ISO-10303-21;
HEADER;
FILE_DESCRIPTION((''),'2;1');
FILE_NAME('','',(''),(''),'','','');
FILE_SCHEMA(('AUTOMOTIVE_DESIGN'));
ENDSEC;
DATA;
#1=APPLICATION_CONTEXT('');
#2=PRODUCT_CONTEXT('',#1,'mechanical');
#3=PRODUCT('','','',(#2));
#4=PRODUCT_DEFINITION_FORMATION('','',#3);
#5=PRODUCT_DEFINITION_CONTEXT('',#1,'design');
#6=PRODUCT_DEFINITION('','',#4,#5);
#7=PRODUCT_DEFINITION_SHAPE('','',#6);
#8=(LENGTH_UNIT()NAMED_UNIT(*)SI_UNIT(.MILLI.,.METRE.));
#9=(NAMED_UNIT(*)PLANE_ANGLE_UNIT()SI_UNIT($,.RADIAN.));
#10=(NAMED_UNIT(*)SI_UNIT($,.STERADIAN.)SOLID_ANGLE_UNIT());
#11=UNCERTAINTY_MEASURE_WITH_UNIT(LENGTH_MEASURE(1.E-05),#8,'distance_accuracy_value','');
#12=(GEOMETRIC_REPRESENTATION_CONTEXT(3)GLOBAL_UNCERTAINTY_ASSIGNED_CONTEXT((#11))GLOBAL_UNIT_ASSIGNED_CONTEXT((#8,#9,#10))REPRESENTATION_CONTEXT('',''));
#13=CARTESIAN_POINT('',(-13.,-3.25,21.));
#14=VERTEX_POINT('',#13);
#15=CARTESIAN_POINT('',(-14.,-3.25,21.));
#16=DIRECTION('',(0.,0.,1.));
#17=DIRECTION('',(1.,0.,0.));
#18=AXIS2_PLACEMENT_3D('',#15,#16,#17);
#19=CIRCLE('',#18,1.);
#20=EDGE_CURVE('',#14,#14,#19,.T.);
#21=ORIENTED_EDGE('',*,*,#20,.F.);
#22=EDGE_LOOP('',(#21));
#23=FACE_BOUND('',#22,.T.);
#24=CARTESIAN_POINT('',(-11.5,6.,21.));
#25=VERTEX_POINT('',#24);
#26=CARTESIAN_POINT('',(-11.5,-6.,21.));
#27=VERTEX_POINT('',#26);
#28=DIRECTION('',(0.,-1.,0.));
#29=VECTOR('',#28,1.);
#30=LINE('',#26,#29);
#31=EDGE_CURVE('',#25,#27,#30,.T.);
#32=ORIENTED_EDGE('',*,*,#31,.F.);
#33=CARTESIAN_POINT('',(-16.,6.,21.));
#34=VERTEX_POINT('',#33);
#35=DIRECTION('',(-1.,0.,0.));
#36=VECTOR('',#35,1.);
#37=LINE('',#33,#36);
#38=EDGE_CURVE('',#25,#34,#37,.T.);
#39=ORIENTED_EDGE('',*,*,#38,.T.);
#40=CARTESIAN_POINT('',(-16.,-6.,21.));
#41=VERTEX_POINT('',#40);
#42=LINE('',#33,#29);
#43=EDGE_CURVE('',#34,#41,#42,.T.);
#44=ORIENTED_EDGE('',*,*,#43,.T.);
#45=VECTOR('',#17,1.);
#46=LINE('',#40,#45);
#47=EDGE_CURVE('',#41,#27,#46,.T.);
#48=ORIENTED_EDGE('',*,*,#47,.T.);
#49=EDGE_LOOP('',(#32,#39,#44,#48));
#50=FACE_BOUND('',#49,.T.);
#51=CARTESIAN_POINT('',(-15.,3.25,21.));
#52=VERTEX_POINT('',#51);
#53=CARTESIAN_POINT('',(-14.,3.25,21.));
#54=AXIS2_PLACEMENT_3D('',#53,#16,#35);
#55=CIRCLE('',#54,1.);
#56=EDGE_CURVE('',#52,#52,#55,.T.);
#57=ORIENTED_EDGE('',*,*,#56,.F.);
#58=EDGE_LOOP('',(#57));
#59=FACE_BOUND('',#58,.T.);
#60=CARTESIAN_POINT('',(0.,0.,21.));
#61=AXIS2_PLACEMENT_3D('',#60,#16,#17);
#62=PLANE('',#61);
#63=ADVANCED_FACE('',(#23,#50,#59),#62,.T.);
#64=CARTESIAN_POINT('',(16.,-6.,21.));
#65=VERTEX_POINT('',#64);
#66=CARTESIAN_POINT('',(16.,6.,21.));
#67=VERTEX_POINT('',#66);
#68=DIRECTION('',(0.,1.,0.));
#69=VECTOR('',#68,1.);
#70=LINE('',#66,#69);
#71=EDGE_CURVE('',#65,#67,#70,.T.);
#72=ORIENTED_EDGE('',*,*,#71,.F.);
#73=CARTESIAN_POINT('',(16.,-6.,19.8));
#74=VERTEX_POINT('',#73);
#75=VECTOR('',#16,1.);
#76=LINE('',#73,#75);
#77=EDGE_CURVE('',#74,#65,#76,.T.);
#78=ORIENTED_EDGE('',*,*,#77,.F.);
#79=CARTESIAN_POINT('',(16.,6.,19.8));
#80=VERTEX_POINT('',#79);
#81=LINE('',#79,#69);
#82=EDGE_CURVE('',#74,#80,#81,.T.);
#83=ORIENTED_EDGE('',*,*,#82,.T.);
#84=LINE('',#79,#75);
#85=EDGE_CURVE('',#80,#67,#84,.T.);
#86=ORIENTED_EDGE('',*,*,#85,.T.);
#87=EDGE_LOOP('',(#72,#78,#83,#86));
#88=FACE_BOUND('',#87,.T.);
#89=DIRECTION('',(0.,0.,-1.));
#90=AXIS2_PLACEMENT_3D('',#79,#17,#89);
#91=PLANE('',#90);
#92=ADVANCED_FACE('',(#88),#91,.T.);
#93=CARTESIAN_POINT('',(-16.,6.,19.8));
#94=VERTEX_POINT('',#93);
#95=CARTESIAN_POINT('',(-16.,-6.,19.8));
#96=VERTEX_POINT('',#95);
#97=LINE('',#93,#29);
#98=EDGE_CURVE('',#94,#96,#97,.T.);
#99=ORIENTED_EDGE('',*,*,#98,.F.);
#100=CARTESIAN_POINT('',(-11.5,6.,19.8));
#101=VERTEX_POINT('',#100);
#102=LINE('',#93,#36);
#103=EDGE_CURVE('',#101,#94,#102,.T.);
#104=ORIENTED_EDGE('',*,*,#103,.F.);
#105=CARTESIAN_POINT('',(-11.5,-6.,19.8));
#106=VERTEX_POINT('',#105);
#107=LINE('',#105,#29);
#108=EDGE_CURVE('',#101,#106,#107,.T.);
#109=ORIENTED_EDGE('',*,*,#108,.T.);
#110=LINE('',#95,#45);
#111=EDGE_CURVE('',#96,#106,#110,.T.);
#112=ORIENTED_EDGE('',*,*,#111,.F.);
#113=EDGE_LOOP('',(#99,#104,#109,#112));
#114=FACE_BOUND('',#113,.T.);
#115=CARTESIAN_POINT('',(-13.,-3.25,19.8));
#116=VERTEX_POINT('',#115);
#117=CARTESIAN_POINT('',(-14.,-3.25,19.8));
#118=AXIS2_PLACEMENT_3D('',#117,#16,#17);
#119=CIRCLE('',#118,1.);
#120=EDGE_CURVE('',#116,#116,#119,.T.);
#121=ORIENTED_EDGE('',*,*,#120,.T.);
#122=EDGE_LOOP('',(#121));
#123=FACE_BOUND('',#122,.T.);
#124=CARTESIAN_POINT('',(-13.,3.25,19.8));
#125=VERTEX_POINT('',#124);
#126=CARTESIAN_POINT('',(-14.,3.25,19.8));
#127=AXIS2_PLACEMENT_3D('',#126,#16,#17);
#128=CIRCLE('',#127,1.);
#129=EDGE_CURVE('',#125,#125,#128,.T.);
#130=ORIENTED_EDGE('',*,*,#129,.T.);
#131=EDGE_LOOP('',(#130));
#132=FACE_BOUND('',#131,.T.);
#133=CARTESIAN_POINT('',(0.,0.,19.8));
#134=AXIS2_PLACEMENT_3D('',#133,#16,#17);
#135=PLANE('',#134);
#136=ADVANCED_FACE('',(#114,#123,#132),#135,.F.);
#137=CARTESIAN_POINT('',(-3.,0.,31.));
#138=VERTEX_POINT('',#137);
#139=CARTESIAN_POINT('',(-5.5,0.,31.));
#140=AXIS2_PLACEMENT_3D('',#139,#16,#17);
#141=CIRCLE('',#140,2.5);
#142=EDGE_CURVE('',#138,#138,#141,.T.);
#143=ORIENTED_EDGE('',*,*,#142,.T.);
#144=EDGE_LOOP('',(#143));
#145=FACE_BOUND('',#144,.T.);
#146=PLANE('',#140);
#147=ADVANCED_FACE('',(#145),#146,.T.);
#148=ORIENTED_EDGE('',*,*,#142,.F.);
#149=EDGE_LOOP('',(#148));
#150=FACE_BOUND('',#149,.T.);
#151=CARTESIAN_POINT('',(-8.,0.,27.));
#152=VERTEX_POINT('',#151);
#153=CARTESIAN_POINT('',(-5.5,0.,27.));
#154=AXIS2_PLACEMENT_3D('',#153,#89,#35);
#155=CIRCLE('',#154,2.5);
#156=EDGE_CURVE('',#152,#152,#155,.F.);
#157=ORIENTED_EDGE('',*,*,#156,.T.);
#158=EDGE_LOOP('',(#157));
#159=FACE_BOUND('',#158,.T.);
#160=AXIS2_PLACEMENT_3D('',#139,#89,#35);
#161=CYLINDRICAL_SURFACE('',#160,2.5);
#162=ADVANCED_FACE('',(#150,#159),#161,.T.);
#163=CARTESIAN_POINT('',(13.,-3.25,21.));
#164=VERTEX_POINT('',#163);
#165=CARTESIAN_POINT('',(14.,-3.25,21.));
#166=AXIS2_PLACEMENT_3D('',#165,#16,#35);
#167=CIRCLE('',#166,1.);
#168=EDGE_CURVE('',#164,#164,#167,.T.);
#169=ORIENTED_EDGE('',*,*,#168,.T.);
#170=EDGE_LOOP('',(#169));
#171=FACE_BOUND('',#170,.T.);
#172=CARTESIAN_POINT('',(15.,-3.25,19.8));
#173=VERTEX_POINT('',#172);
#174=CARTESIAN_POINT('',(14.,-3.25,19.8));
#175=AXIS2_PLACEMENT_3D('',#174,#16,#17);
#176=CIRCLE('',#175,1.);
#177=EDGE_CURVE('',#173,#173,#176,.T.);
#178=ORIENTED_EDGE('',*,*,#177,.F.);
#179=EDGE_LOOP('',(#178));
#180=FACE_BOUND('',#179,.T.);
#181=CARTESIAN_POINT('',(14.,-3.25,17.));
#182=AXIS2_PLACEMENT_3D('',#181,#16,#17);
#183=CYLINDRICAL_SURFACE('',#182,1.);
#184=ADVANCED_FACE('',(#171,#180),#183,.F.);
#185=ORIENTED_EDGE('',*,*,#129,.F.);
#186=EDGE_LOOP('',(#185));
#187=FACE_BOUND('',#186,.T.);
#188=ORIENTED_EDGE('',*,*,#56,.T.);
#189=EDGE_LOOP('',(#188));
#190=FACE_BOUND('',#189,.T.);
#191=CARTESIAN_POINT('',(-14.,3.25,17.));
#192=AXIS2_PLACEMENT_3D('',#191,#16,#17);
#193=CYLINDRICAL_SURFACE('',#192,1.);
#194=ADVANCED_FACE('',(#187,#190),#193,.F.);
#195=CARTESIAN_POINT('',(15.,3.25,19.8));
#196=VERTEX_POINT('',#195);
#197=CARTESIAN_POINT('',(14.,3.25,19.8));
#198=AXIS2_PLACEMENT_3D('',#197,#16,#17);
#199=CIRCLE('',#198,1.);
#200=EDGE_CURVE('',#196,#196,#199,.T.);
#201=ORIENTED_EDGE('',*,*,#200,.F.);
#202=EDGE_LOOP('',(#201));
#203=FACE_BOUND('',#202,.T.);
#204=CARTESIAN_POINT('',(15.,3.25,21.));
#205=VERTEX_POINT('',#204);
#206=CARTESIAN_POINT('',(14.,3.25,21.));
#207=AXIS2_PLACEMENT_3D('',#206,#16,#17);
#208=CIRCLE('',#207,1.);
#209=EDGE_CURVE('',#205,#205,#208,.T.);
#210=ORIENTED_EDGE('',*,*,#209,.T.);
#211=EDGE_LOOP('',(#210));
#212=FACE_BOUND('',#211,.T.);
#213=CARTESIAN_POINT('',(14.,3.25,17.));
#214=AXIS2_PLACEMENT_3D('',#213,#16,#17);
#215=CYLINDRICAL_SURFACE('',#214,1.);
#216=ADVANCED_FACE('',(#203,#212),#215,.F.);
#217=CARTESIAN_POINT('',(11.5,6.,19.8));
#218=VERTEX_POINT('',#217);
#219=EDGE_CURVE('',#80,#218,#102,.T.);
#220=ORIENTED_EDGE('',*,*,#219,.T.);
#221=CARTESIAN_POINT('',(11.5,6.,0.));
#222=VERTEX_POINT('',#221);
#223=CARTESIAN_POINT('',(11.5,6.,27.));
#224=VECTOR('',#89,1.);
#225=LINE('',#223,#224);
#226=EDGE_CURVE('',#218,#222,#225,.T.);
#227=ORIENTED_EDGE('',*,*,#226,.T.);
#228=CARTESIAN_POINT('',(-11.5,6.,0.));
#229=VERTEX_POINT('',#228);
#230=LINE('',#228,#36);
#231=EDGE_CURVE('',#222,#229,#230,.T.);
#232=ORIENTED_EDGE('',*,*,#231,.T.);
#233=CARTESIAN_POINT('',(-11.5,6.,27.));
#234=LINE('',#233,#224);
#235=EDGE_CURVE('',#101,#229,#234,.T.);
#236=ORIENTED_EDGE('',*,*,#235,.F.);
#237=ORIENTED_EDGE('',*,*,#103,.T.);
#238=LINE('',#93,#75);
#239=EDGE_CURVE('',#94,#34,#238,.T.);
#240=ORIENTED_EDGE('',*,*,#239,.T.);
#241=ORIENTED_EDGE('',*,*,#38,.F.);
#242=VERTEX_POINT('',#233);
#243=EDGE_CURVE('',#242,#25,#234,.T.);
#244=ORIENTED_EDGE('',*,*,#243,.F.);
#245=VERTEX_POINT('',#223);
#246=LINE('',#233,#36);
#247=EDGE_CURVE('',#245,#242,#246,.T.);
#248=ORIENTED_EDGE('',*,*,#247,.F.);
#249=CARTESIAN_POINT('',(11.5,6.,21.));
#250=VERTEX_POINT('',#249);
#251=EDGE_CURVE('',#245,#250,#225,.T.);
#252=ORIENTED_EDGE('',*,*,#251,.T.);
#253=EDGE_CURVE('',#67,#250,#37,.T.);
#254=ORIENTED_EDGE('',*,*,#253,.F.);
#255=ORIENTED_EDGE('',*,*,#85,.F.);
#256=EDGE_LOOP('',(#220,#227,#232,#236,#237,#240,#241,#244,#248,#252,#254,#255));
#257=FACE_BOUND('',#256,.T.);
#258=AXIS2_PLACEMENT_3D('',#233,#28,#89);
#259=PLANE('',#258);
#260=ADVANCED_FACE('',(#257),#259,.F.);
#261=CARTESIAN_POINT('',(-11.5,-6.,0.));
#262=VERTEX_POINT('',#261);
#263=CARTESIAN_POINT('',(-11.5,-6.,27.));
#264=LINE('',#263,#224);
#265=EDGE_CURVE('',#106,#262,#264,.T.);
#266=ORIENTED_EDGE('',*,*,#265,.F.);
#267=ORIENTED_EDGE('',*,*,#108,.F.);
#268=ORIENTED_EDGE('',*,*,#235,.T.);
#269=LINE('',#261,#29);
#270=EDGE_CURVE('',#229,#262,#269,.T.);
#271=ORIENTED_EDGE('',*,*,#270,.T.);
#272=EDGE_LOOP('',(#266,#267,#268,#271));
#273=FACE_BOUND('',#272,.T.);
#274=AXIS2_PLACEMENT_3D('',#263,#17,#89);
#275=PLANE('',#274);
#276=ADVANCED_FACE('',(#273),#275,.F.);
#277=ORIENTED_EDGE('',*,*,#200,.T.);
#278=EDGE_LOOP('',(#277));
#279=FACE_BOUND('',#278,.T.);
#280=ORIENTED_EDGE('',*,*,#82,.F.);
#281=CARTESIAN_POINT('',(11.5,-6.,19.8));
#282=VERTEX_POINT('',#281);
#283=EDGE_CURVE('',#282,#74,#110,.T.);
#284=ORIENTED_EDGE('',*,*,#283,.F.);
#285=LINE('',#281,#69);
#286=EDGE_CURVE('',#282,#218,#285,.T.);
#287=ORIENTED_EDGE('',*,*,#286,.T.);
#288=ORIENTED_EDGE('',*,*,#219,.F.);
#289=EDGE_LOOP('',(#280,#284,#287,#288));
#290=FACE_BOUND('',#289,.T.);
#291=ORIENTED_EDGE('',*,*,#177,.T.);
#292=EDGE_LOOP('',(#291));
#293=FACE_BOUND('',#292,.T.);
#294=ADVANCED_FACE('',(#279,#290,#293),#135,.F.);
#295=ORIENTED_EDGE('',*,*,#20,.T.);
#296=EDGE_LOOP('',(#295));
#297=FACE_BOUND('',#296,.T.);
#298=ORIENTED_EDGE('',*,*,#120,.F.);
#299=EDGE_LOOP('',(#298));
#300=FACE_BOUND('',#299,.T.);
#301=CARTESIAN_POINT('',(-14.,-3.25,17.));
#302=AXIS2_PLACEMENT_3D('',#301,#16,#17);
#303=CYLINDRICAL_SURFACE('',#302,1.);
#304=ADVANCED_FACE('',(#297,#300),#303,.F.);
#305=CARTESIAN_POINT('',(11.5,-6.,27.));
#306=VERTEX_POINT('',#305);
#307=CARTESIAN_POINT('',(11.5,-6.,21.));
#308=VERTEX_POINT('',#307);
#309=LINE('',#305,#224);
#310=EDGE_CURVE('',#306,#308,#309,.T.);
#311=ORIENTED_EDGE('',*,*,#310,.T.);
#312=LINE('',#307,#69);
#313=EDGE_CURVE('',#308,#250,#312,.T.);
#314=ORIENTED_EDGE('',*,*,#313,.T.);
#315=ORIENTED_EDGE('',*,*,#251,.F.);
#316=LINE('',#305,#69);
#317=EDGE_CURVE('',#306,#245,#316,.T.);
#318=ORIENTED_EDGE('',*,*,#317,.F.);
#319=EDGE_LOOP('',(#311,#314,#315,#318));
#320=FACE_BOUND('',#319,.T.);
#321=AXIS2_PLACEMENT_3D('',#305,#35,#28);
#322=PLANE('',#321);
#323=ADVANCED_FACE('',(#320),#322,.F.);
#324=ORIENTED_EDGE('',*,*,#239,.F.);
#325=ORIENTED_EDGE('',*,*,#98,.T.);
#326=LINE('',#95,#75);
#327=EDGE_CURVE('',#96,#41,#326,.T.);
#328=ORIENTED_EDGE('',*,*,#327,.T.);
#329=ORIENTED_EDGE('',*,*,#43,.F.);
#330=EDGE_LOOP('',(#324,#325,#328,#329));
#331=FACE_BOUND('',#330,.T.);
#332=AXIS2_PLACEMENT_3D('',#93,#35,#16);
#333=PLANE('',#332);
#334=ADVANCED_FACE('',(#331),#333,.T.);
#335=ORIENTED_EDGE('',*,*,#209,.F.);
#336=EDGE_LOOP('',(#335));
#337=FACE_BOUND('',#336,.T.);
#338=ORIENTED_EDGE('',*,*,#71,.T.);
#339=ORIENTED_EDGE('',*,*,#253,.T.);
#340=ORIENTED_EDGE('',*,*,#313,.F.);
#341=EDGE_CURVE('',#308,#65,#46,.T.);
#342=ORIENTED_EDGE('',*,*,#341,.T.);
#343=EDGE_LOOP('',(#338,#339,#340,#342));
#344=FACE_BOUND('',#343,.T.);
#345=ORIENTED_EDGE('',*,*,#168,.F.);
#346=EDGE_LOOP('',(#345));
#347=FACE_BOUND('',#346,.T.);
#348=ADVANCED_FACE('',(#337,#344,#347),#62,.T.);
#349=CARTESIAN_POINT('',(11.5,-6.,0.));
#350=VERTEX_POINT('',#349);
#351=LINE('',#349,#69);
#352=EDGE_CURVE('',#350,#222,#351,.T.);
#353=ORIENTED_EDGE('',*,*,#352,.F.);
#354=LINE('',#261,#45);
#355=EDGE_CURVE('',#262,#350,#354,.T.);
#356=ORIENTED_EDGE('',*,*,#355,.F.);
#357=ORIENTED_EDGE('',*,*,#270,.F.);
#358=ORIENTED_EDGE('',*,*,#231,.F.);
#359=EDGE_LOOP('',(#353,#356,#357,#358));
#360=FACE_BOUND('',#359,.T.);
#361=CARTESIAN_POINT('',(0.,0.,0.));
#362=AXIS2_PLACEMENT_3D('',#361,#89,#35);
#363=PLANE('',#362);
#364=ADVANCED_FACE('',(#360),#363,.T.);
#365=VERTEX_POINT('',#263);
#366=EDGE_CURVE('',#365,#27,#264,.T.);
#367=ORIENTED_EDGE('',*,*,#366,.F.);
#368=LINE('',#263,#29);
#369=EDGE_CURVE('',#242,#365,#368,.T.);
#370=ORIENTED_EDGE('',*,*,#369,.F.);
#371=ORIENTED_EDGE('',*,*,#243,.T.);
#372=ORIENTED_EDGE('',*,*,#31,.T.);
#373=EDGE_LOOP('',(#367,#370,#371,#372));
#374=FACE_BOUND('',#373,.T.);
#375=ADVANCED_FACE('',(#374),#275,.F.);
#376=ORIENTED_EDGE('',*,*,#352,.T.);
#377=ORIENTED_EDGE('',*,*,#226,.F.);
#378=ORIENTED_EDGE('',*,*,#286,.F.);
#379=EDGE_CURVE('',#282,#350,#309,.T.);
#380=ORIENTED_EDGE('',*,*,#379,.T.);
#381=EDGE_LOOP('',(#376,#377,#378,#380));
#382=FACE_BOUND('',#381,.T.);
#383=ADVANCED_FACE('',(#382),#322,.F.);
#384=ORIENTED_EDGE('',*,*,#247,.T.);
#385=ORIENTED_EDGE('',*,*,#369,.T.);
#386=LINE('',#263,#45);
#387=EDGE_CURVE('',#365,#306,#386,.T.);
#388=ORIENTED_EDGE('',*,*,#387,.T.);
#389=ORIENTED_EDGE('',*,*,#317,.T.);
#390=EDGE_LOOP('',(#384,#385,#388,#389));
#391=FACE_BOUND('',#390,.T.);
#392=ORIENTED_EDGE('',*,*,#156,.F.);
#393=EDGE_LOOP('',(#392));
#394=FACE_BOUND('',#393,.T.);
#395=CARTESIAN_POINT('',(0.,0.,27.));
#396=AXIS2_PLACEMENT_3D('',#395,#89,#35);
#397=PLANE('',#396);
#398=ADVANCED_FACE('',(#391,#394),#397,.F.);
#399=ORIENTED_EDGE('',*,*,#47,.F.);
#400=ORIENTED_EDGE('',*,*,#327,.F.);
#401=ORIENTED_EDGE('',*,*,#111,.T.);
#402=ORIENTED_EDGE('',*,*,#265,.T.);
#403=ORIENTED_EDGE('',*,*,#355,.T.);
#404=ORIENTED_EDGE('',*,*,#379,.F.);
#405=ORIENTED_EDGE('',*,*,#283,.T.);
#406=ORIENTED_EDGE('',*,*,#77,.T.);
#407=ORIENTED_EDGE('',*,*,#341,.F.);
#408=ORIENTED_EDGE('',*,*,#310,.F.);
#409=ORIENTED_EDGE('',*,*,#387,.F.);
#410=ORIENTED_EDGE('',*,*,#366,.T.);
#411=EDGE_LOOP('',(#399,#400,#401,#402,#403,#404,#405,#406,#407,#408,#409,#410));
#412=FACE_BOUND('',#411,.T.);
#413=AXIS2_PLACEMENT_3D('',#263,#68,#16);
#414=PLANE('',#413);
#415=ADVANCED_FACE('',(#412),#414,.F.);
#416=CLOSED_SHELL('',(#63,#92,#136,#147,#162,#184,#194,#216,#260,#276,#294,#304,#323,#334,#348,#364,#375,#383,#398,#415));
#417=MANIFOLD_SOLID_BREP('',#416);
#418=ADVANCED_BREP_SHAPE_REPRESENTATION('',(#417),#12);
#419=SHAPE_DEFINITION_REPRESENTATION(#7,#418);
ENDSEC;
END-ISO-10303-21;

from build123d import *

# Parameters (mm, degrees)
SKETCH_2_W          = 23
SKETCH_2_H          = 12
EXTRUDE_1_DEPTH     = 27
EXTRUDE_START       = -6
SKETCH_3_W          = 32
SKETCH_3_H          = 12
EXTRUDE_2_DEPTH     = 1.2
SKETCH_4_R          = 2.5
EXTRUDE_3_DEPTH     = 4
SKETCH_5_R          = 1
CUT_EXTRUDE_1_DEPTH = 4


with BuildPart() as part:
    # 草图2 → 凸台-拉伸1 (new body)
    with BuildSketch(Plane.XY):
        Rectangle(SKETCH_2_W, SKETCH_2_H)
    extrude(amount=EXTRUDE_1_DEPTH)

    # 草图3 → 凸台-拉伸2 (add)
    with BuildSketch(Plane.XY.offset(27).offset(EXTRUDE_START)):
        Rectangle(SKETCH_3_W, SKETCH_3_H)
    extrude(amount=-EXTRUDE_2_DEPTH)

    # 草图4 → 凸台-拉伸3 (add)
    with BuildSketch(Plane.XY.offset(27)):
        with Locations(Location((-5.5, 0, 0), (0, 0, 180))):
            Circle(SKETCH_4_R)
    extrude(amount=EXTRUDE_3_DEPTH)

    # 草图5 → 切除-拉伸1 (cut)
    with BuildSketch(Plane.XY.offset(21)):
        with Locations((14, 3.25)):
            Circle(SKETCH_5_R)
        with Locations((14, -3.25)):
            Circle(SKETCH_5_R)
        with Locations((-14, -3.25)):
            Circle(SKETCH_5_R)
        with Locations((-14, 3.25)):
            Circle(SKETCH_5_R)
    extrude(amount=-CUT_EXTRUDE_1_DEPTH, mode=Mode.SUBTRACT)


solid = part.part
